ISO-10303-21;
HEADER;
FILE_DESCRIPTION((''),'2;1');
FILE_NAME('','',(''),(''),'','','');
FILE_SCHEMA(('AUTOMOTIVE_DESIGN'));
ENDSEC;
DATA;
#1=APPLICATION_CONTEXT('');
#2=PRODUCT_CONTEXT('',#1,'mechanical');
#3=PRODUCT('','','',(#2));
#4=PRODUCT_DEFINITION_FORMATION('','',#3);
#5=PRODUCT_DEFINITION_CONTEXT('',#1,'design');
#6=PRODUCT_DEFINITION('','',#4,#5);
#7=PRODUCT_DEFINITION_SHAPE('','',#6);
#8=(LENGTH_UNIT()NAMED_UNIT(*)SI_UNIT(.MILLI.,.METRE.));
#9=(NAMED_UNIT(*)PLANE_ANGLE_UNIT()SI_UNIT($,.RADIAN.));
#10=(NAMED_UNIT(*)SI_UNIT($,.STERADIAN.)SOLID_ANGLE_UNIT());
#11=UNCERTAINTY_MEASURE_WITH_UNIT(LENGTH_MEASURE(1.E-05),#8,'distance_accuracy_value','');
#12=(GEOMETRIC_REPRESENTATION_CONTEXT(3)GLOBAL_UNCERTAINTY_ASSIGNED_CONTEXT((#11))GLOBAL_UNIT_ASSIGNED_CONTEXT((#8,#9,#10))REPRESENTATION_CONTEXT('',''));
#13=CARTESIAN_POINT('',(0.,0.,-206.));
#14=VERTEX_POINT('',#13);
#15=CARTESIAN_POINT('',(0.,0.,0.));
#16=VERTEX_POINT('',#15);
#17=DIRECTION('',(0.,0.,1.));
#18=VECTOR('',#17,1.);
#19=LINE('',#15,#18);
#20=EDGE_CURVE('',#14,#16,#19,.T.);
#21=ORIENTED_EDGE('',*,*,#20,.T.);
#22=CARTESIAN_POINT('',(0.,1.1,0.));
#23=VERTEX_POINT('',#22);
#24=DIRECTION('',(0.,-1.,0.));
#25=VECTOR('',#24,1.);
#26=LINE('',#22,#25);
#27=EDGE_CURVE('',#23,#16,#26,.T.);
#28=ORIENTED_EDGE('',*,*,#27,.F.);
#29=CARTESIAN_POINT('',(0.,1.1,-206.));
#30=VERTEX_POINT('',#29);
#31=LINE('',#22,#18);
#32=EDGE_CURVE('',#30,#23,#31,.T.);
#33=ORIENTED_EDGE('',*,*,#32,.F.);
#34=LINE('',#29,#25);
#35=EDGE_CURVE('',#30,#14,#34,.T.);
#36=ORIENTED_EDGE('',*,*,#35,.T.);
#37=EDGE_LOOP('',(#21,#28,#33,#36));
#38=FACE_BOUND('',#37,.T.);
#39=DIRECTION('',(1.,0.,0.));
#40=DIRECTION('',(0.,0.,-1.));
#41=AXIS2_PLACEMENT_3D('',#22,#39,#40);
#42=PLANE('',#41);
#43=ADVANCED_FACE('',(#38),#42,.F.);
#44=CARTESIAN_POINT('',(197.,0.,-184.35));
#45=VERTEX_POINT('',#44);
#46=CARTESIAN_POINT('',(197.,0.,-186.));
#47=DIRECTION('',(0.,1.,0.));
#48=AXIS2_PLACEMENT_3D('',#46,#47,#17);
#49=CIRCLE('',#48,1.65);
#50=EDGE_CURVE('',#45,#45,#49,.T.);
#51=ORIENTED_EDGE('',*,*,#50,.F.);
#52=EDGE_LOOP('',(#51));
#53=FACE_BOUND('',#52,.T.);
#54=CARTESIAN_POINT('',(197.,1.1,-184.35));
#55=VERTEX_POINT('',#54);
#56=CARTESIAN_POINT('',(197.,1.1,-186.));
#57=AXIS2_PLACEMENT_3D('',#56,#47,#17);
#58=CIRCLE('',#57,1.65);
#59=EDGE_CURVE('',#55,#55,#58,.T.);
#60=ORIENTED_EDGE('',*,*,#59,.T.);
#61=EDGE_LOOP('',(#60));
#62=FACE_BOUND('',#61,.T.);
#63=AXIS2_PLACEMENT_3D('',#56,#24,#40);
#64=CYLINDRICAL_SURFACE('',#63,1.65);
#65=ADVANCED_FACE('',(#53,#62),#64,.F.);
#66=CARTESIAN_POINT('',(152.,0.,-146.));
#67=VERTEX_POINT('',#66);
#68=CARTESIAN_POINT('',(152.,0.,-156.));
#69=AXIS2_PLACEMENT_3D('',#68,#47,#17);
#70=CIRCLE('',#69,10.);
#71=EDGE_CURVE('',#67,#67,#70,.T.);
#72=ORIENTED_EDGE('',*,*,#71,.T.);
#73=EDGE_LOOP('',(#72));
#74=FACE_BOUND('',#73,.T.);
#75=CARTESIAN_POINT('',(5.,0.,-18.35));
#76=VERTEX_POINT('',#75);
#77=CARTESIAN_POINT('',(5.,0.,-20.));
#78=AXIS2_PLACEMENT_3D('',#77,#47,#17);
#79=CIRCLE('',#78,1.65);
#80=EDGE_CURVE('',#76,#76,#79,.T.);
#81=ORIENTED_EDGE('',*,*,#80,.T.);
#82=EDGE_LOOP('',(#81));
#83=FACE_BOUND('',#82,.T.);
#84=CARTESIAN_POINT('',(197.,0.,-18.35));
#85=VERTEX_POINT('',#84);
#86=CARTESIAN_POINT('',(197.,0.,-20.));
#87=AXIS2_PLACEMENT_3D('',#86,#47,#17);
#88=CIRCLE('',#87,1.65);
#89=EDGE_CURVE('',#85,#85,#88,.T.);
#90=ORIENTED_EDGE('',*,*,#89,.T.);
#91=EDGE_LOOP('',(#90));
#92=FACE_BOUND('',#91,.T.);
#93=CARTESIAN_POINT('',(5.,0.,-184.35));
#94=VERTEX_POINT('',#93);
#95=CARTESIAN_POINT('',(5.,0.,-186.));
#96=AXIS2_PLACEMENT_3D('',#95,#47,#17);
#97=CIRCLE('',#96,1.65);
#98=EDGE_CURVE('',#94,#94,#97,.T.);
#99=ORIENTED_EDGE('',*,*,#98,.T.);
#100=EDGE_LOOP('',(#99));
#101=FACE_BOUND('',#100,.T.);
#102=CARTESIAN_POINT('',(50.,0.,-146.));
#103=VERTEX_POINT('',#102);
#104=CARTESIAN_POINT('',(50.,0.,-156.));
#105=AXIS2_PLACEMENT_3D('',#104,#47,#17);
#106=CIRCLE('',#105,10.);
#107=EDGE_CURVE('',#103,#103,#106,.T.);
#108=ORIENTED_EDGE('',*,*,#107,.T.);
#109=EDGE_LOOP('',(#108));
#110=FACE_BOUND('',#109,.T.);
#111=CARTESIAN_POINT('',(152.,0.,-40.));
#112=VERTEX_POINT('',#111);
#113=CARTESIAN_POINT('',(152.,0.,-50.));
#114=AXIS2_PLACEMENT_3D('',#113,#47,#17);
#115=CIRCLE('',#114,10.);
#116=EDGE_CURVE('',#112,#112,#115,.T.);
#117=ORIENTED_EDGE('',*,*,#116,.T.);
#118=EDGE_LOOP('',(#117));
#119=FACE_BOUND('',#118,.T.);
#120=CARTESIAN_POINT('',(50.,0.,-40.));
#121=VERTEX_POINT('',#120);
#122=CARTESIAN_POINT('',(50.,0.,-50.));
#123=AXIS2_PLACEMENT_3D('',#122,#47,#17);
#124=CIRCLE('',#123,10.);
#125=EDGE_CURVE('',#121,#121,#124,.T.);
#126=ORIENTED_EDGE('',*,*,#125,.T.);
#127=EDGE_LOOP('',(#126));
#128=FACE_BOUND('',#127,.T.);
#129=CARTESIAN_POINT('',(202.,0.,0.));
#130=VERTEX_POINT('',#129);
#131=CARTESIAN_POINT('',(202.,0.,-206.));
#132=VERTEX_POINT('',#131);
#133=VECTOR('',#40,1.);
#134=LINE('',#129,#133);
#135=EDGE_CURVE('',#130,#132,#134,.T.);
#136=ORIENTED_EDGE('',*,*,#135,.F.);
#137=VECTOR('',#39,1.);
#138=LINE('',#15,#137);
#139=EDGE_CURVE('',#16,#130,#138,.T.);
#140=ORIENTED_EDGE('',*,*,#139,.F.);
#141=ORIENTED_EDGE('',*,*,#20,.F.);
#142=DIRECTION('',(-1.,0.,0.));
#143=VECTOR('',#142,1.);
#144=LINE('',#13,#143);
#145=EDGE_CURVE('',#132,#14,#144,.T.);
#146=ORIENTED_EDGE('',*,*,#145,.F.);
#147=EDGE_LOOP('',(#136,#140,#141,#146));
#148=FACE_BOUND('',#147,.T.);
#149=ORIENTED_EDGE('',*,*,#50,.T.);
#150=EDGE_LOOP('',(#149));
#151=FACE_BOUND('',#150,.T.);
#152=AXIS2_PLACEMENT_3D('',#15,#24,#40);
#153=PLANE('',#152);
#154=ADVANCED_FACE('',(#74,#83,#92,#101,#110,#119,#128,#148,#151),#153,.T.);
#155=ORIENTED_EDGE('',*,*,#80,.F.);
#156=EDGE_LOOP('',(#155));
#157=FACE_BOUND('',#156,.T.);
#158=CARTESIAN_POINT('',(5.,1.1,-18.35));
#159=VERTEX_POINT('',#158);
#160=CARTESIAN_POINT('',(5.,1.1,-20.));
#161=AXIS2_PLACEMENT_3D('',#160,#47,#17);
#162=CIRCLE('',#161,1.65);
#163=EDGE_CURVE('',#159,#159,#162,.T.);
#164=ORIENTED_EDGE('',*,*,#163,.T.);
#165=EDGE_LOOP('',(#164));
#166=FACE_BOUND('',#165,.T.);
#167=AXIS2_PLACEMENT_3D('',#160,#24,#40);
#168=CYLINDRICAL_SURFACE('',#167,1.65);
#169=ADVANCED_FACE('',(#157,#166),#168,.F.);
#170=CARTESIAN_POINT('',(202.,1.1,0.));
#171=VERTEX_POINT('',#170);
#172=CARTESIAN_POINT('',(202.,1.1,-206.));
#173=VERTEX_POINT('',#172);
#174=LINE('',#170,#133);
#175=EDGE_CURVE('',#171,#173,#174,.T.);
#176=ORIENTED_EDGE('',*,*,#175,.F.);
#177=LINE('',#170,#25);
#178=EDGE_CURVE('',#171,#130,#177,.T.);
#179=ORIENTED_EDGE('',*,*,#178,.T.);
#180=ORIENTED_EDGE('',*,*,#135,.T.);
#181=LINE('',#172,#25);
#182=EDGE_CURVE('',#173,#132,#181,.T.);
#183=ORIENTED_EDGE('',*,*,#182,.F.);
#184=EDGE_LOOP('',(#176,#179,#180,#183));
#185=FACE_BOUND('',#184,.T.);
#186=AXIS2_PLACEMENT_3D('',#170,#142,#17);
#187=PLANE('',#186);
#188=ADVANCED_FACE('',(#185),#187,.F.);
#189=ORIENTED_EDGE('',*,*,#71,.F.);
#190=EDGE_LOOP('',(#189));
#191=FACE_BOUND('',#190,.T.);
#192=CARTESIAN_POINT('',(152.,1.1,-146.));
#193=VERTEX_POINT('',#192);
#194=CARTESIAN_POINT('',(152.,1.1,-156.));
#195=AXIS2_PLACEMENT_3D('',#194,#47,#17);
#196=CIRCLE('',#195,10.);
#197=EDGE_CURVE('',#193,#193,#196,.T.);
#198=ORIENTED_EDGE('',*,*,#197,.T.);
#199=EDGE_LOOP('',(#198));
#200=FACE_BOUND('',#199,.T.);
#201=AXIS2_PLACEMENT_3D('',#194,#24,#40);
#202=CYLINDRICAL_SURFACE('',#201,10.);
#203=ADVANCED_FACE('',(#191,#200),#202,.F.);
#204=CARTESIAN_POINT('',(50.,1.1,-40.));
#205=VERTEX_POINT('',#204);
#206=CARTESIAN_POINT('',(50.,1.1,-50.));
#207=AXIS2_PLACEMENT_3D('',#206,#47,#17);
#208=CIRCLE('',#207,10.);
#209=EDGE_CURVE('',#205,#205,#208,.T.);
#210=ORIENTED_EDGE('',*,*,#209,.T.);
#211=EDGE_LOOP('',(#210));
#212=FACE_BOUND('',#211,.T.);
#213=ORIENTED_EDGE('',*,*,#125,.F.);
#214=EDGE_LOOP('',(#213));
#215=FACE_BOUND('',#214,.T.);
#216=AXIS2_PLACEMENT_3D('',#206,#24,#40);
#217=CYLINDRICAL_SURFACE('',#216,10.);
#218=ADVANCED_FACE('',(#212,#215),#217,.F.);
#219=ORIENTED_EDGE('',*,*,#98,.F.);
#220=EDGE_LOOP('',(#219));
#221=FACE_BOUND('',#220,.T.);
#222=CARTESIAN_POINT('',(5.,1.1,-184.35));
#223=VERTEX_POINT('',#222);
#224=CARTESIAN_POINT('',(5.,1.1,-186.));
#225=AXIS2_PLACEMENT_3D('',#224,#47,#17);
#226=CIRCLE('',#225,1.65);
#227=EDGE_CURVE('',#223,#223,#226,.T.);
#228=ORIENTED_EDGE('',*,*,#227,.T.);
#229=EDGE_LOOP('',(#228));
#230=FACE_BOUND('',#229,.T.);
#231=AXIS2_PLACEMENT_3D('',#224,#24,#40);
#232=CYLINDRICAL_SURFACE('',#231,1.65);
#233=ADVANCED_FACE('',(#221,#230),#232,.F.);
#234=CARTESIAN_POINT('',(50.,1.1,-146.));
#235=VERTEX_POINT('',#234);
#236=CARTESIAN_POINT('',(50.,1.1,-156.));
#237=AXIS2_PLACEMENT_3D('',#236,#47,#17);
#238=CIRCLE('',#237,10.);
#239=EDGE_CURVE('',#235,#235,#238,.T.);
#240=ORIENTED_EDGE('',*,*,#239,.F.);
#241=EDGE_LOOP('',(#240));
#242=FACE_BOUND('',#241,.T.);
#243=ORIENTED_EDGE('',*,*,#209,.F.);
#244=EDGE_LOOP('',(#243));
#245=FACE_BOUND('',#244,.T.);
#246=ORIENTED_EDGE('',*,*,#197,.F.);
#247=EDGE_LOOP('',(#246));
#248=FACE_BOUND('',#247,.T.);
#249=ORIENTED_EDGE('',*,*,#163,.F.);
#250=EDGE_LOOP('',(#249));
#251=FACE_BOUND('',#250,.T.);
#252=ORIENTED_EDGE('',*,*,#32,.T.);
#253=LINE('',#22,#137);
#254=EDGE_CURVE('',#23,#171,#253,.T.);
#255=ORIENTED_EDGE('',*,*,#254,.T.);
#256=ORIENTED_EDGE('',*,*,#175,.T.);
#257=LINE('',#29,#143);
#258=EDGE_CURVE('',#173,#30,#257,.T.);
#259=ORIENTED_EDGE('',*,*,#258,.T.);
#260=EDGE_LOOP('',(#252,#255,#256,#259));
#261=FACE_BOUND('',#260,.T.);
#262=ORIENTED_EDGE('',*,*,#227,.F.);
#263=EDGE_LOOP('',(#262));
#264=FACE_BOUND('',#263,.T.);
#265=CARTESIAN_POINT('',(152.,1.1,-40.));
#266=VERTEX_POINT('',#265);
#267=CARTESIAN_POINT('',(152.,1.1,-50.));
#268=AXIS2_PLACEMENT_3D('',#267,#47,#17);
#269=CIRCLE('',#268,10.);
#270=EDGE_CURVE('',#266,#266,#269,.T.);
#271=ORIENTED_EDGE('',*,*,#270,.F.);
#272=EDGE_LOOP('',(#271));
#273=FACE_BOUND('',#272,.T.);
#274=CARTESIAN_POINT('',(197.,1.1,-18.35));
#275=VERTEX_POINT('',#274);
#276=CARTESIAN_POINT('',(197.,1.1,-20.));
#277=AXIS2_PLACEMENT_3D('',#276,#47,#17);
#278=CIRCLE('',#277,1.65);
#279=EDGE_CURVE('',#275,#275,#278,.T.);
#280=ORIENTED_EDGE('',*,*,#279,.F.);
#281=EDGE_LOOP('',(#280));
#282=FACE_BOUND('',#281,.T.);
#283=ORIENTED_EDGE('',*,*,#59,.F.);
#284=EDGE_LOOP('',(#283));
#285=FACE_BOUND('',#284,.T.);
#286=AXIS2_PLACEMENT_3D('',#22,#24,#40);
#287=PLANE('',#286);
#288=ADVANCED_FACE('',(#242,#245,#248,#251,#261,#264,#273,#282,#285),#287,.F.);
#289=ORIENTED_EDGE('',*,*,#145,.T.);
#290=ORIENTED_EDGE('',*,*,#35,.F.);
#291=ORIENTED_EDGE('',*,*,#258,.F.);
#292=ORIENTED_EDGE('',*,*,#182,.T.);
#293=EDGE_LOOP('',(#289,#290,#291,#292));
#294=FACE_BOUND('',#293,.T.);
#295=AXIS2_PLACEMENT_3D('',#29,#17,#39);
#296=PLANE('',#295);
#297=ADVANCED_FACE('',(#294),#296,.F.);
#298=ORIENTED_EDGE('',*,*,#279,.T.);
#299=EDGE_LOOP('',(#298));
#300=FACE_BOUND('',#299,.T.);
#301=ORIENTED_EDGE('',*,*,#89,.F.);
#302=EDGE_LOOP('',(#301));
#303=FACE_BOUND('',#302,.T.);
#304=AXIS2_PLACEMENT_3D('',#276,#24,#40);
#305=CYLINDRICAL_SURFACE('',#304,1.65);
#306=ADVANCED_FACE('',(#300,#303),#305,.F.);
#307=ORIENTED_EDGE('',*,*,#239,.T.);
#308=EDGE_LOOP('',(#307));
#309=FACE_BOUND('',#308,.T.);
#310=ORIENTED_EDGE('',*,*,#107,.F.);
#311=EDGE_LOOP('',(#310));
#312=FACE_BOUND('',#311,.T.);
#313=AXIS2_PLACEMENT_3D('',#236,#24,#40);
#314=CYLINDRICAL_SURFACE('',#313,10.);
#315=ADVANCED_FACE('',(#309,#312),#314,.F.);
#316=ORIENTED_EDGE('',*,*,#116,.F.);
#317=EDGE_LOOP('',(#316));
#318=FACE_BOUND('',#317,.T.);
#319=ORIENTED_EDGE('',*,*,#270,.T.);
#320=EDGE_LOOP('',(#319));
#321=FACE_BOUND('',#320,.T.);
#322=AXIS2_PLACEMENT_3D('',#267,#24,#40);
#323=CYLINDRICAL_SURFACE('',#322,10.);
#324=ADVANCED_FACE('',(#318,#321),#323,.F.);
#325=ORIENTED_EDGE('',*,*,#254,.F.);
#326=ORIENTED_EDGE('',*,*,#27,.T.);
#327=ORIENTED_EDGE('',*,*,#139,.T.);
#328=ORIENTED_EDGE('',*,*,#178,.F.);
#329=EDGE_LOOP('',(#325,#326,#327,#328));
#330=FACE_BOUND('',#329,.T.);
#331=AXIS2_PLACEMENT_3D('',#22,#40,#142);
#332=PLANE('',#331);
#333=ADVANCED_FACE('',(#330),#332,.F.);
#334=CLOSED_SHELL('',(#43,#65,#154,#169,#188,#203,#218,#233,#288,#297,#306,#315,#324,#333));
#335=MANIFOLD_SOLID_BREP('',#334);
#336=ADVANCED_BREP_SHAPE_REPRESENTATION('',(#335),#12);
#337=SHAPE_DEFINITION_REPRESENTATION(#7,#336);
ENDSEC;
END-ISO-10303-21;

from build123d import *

# Parameters (mm, degrees)
SKETCH1_W           = 202
SKETCH1_H           = 206
SKETCH1_R           = 1.65
SKETCH1_R_2         = 10
BOSS_EXTRUDE1_DEPTH = 1.1


with BuildPart() as part:
    # Sketch1 → Boss-Extrude1 (new body)
    with BuildSketch(Plane(origin=(0, 0, 0), x_dir=(1, 0, 0), z_dir=(0, 1, 0))):
        with Locations((101, 103)):
            Rectangle(SKETCH1_W, SKETCH1_H)
        with Locations(Location((5, 186, 0), (0, 0, 270))):
            Circle(SKETCH1_R, mode=Mode.SUBTRACT)
        with Locations(Location((50, 156, 0), (0, 0, 270))):
            Circle(SKETCH1_R_2, mode=Mode.SUBTRACT)
        with Locations(Location((152, 156, 0), (0, 0, 270))):
            Circle(SKETCH1_R_2, mode=Mode.SUBTRACT)
        with Locations(Location((50, 50, 0), (0, 0, 270))):
            Circle(SKETCH1_R_2, mode=Mode.SUBTRACT)
        with Locations(Location((152, 50, 0), (0, 0, 270))):
            Circle(SKETCH1_R_2, mode=Mode.SUBTRACT)
        with Locations(Location((5, 20, 0), (0, 0, 270))):
            Circle(SKETCH1_R, mode=Mode.SUBTRACT)
        with Locations(Location((197, 20, 0), (0, 0, 270))):
            Circle(SKETCH1_R, mode=Mode.SUBTRACT)
        with Locations(Location((197, 186, 0), (0, 0, 270))):
            Circle(SKETCH1_R, mode=Mode.SUBTRACT)
    extrude(amount=BOSS_EXTRUDE1_DEPTH)


solid = part.part
